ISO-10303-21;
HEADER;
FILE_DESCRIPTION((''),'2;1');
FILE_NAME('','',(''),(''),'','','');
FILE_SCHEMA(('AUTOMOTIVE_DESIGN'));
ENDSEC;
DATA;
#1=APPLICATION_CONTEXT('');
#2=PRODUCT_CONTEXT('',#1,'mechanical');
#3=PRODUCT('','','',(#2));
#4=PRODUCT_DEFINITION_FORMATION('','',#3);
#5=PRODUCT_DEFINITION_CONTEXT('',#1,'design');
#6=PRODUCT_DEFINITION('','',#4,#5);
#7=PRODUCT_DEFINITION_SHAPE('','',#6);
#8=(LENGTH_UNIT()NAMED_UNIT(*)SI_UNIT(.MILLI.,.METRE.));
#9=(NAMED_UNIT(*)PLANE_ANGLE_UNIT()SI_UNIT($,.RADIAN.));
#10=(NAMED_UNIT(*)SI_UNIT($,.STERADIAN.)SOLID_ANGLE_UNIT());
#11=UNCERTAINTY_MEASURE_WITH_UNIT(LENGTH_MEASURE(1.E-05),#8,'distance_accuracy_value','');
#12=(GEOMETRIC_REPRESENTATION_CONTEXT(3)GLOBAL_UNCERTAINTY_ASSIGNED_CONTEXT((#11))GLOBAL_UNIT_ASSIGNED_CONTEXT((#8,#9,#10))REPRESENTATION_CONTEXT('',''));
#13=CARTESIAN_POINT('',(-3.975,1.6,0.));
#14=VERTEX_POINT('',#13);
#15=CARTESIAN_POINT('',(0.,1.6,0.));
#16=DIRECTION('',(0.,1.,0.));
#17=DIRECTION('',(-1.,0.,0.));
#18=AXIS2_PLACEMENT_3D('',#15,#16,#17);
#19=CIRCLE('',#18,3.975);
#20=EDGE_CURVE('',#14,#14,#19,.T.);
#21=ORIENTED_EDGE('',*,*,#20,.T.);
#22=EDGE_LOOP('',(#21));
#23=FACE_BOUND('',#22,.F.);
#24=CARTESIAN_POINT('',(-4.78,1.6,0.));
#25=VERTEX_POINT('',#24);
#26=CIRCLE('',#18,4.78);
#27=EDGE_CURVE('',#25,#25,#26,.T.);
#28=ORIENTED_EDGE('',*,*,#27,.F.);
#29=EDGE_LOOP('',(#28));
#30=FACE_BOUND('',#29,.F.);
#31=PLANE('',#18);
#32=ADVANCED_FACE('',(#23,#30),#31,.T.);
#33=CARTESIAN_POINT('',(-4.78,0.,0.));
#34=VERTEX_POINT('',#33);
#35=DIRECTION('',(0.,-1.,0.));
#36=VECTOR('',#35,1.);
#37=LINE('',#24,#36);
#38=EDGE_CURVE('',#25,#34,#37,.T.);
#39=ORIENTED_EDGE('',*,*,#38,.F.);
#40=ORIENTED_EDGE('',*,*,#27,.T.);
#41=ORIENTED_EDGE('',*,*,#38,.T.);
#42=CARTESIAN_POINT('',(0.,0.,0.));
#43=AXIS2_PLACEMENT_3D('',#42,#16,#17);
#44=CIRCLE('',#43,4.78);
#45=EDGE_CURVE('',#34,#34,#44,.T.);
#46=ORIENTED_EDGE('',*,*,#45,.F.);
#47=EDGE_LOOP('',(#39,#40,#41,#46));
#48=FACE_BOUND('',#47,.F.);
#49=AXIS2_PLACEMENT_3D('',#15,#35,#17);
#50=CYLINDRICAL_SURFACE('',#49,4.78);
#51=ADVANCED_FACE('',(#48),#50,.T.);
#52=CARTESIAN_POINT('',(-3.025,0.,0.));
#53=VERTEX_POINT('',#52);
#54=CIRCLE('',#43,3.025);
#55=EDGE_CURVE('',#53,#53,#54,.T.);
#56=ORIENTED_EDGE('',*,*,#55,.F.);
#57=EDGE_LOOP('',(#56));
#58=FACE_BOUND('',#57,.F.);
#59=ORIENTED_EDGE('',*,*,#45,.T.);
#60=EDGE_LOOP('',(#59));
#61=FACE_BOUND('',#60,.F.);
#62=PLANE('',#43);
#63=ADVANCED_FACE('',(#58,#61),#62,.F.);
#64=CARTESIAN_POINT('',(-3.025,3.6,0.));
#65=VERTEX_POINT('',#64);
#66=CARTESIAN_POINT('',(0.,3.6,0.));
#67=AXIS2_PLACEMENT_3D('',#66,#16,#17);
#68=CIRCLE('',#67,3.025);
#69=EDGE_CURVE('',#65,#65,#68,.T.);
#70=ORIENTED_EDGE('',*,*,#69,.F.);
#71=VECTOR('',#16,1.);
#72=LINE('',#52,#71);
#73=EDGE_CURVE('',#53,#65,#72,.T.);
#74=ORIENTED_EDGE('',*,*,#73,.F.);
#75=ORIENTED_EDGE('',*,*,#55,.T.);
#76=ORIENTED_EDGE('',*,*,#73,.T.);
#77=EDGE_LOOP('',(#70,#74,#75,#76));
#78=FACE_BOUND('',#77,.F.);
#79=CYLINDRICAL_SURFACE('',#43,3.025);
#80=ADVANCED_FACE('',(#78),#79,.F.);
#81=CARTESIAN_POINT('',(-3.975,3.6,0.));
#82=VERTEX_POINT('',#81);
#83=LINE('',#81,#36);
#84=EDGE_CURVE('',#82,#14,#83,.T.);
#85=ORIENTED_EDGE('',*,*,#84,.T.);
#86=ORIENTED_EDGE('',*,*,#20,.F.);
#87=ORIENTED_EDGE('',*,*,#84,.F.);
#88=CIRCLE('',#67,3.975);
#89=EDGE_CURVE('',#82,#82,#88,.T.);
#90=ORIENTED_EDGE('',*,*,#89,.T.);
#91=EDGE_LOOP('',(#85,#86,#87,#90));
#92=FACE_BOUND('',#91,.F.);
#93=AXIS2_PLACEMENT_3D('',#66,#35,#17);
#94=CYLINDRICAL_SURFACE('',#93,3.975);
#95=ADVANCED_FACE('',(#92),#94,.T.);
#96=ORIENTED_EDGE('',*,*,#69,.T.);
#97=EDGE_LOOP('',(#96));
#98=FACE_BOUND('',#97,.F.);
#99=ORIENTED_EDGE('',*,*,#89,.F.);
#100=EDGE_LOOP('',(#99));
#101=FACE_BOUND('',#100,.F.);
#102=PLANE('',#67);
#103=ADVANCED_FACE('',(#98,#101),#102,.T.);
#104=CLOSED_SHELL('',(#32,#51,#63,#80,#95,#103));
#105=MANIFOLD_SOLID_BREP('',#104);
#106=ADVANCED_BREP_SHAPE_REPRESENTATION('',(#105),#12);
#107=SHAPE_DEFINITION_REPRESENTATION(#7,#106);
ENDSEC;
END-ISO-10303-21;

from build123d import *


with BuildPart() as part:
    # Sketch1 → Revolve1 (revolve)
    with BuildSketch(Plane.XY):
        Polygon((-3.025, 0), (-3.025, 3.6), (-3.975, 3.6), (-3.975, 1.6), (-4.78, 1.6), (-4.78, 0), align=None)
    revolve(axis=Axis((0, 0, 0), (0, 1, 0)))


solid = part.part
